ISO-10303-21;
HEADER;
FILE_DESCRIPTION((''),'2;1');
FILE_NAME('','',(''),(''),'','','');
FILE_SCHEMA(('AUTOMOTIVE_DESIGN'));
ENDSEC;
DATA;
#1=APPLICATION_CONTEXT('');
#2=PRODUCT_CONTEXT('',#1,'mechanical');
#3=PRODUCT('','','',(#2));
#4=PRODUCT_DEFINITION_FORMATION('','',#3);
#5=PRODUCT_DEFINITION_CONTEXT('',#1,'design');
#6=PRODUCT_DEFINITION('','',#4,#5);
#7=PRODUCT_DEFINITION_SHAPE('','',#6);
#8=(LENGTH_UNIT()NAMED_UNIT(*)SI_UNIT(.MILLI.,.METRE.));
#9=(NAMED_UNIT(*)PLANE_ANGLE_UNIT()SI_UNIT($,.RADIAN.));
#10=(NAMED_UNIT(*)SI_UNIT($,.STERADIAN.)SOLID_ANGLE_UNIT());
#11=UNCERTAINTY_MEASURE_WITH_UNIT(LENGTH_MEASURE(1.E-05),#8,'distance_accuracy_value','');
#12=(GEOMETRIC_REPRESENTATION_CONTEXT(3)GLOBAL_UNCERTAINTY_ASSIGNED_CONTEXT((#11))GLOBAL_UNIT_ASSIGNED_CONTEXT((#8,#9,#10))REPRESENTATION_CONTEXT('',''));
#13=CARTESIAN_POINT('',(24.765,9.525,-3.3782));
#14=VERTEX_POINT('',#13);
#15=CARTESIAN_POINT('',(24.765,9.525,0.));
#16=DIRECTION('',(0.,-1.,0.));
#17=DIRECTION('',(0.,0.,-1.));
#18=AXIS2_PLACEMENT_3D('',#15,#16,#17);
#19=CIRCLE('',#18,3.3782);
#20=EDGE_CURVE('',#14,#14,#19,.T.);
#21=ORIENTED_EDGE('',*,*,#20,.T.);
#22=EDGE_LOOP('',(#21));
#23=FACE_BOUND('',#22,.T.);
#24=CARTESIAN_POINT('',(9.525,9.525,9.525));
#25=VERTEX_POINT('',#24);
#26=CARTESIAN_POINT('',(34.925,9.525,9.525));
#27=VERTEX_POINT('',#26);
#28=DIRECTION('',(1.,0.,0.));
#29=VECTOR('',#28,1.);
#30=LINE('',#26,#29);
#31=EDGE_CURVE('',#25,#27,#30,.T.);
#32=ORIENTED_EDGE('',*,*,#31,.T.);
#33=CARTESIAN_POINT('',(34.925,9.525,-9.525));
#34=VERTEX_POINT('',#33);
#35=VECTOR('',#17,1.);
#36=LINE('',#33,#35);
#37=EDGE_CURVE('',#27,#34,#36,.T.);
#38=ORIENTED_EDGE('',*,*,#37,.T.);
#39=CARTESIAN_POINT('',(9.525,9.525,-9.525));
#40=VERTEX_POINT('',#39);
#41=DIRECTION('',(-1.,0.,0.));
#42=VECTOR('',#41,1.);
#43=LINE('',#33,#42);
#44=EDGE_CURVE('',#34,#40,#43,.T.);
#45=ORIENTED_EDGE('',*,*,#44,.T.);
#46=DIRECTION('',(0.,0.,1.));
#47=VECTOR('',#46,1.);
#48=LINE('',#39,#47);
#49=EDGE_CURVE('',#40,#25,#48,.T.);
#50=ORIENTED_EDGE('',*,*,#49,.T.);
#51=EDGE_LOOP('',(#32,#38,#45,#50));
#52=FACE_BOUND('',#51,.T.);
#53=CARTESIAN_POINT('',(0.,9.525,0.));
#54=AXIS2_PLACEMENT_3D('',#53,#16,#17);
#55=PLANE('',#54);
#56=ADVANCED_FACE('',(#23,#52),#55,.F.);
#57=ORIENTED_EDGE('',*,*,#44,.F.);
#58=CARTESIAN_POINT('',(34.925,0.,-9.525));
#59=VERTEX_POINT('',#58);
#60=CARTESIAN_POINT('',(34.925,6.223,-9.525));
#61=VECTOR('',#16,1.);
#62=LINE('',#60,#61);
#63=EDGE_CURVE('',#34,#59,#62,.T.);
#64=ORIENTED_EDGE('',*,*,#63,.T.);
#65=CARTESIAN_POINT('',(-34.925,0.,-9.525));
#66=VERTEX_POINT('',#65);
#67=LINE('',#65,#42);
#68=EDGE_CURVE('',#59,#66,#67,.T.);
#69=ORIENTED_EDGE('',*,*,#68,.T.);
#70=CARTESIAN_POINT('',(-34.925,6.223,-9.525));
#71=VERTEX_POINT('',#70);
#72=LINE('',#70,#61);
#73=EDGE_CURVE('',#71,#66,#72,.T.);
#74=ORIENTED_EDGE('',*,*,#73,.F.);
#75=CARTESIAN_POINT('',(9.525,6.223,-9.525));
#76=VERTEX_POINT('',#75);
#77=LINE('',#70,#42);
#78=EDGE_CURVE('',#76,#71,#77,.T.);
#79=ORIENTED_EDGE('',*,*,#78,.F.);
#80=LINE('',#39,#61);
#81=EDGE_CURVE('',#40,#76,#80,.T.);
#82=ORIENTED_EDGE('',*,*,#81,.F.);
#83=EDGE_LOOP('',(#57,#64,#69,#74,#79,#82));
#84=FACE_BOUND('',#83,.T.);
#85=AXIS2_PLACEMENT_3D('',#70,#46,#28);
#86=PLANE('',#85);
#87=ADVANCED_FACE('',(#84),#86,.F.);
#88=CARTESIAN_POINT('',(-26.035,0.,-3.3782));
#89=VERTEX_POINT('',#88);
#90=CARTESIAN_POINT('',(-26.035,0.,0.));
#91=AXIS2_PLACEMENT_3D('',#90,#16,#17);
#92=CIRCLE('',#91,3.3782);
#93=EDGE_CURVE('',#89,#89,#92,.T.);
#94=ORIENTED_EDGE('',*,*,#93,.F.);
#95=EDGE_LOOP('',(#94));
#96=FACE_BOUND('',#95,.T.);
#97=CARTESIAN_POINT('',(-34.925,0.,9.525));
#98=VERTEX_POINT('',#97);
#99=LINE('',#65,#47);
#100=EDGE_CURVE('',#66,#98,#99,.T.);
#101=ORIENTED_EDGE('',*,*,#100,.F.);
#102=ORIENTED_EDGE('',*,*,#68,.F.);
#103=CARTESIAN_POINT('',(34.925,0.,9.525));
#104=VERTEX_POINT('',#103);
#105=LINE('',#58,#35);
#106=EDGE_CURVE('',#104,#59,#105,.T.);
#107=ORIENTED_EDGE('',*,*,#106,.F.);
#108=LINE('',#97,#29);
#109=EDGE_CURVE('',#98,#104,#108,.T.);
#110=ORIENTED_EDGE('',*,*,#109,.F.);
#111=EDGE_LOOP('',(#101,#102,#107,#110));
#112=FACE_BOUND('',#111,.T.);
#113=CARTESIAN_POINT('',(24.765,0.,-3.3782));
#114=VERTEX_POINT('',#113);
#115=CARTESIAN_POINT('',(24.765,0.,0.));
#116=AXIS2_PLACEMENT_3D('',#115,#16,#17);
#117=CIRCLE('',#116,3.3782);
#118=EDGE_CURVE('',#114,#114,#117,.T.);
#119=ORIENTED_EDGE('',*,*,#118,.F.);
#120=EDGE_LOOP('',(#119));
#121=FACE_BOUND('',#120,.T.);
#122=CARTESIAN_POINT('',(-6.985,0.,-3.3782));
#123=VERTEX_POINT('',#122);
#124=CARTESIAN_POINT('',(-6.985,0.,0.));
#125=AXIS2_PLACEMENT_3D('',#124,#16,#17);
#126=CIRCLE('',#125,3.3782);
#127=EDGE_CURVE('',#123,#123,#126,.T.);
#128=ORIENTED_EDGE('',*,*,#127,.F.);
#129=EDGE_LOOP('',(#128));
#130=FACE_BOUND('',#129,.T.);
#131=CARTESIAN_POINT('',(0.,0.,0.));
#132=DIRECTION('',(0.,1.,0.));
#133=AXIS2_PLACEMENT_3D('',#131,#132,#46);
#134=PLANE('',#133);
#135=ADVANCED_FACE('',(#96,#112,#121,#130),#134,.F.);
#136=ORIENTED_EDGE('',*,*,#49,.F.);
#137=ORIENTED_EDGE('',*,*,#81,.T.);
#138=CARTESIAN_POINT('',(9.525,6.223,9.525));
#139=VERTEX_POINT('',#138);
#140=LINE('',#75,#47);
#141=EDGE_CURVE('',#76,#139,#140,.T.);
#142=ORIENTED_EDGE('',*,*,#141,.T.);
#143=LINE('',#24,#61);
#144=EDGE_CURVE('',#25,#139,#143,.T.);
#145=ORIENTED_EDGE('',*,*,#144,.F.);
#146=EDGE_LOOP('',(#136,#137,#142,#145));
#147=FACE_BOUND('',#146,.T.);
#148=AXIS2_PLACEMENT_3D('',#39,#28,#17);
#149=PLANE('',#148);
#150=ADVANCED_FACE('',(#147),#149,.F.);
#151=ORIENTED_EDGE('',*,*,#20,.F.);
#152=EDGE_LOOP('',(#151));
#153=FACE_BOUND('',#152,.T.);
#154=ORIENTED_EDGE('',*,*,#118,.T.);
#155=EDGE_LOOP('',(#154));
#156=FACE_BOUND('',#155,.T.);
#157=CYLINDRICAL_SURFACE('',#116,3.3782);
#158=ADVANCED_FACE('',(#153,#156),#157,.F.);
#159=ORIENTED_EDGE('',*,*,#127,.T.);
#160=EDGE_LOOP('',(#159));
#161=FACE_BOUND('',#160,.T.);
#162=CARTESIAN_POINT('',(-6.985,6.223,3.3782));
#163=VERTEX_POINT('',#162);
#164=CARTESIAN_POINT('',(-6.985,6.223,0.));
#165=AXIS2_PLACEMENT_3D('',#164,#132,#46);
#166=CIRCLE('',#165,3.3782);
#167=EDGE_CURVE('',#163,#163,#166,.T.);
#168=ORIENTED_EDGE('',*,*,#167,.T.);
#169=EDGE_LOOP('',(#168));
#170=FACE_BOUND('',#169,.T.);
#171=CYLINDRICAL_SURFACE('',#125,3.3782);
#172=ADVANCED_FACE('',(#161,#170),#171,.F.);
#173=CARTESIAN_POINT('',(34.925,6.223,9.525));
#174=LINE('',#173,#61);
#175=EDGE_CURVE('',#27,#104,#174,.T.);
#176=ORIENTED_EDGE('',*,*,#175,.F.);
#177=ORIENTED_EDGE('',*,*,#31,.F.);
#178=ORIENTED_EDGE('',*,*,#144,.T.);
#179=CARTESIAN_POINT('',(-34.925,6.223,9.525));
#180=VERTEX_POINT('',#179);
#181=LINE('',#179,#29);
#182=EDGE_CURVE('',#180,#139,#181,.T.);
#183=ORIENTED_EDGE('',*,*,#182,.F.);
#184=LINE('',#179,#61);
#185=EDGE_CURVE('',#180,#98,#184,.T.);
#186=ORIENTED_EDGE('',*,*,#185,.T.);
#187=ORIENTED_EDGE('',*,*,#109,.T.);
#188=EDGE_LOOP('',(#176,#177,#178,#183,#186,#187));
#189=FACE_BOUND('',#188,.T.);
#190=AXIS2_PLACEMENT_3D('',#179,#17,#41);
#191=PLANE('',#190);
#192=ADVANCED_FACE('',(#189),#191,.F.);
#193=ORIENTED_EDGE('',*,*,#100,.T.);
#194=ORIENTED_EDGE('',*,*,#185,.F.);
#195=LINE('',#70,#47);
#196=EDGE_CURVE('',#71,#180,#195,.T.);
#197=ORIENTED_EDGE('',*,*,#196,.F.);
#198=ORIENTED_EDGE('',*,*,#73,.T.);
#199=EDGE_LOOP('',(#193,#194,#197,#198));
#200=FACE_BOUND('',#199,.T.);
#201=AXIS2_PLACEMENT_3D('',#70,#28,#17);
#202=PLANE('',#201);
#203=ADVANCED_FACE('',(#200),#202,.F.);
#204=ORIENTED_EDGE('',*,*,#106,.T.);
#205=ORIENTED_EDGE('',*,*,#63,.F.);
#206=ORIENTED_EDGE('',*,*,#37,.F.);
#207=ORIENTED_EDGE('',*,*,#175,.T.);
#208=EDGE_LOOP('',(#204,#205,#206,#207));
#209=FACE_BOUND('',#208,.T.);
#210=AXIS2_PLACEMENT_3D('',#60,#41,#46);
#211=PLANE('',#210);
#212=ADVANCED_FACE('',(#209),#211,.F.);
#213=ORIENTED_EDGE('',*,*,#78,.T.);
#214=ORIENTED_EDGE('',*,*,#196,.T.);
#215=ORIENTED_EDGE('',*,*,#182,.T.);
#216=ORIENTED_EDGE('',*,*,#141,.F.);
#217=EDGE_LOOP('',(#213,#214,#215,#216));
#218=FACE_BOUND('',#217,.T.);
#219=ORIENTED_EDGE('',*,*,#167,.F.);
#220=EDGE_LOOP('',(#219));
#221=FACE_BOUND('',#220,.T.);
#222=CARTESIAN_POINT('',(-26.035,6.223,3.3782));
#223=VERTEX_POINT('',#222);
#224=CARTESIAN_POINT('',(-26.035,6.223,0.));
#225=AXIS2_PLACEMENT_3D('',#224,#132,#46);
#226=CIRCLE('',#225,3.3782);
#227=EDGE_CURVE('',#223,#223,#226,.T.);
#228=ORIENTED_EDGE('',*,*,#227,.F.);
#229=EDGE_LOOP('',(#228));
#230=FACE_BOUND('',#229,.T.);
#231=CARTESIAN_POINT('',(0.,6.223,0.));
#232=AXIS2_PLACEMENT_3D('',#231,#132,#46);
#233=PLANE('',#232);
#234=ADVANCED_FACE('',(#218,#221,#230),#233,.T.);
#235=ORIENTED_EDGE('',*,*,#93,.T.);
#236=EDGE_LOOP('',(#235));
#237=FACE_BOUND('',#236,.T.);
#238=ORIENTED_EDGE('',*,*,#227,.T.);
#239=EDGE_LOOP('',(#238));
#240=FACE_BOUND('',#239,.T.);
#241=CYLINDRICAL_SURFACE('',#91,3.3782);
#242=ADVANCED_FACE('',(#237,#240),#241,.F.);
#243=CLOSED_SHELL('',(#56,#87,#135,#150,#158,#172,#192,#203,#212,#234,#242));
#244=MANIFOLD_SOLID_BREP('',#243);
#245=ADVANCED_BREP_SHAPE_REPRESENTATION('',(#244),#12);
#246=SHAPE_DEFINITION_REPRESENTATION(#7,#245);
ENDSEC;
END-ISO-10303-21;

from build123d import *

# Parameters (mm, degrees)
SKETCH1_W               = 69.85
SKETCH1_H               = 19.05
BOSS_EXTRUDE1_DEPTH     = 6.223
SKETCH4_W               = 25.4
SKETCH4_H               = 19.05
BOSS_EXTRUDE2_DEPTH     = 3.302
F_1_4_CLEARANCE_HOLE2_D = 6.7564


with BuildPart() as part:
    # Sketch1 → Boss-Extrude1 (new body)
    with BuildSketch(Plane(origin=(0, 0, 0), x_dir=(1, 0, 0), z_dir=(0, 1, 0))):
        Rectangle(SKETCH1_W, SKETCH1_H)
    extrude(amount=BOSS_EXTRUDE1_DEPTH)

    # Sketch4 → Boss-Extrude2 (add)
    with BuildSketch(Plane(origin=(0, 6.223, 0), x_dir=(1, 0, 0), z_dir=(0, 1, 0))):
        with Locations((22.225, 0)):
            Rectangle(SKETCH4_W, SKETCH4_H)
    extrude(amount=BOSS_EXTRUDE2_DEPTH)

    # 1/4 Clearance Hole2 (through all)
    with Locations(Plane(origin=(0, 0, 0), x_dir=(-1, 0, 0), z_dir=(0, -1, 0))):
        with Locations((-24.765, 0), (6.985, 0), (26.035, 0)):
            Hole(F_1_4_CLEARANCE_HOLE2_D / 2)


solid = part.part
